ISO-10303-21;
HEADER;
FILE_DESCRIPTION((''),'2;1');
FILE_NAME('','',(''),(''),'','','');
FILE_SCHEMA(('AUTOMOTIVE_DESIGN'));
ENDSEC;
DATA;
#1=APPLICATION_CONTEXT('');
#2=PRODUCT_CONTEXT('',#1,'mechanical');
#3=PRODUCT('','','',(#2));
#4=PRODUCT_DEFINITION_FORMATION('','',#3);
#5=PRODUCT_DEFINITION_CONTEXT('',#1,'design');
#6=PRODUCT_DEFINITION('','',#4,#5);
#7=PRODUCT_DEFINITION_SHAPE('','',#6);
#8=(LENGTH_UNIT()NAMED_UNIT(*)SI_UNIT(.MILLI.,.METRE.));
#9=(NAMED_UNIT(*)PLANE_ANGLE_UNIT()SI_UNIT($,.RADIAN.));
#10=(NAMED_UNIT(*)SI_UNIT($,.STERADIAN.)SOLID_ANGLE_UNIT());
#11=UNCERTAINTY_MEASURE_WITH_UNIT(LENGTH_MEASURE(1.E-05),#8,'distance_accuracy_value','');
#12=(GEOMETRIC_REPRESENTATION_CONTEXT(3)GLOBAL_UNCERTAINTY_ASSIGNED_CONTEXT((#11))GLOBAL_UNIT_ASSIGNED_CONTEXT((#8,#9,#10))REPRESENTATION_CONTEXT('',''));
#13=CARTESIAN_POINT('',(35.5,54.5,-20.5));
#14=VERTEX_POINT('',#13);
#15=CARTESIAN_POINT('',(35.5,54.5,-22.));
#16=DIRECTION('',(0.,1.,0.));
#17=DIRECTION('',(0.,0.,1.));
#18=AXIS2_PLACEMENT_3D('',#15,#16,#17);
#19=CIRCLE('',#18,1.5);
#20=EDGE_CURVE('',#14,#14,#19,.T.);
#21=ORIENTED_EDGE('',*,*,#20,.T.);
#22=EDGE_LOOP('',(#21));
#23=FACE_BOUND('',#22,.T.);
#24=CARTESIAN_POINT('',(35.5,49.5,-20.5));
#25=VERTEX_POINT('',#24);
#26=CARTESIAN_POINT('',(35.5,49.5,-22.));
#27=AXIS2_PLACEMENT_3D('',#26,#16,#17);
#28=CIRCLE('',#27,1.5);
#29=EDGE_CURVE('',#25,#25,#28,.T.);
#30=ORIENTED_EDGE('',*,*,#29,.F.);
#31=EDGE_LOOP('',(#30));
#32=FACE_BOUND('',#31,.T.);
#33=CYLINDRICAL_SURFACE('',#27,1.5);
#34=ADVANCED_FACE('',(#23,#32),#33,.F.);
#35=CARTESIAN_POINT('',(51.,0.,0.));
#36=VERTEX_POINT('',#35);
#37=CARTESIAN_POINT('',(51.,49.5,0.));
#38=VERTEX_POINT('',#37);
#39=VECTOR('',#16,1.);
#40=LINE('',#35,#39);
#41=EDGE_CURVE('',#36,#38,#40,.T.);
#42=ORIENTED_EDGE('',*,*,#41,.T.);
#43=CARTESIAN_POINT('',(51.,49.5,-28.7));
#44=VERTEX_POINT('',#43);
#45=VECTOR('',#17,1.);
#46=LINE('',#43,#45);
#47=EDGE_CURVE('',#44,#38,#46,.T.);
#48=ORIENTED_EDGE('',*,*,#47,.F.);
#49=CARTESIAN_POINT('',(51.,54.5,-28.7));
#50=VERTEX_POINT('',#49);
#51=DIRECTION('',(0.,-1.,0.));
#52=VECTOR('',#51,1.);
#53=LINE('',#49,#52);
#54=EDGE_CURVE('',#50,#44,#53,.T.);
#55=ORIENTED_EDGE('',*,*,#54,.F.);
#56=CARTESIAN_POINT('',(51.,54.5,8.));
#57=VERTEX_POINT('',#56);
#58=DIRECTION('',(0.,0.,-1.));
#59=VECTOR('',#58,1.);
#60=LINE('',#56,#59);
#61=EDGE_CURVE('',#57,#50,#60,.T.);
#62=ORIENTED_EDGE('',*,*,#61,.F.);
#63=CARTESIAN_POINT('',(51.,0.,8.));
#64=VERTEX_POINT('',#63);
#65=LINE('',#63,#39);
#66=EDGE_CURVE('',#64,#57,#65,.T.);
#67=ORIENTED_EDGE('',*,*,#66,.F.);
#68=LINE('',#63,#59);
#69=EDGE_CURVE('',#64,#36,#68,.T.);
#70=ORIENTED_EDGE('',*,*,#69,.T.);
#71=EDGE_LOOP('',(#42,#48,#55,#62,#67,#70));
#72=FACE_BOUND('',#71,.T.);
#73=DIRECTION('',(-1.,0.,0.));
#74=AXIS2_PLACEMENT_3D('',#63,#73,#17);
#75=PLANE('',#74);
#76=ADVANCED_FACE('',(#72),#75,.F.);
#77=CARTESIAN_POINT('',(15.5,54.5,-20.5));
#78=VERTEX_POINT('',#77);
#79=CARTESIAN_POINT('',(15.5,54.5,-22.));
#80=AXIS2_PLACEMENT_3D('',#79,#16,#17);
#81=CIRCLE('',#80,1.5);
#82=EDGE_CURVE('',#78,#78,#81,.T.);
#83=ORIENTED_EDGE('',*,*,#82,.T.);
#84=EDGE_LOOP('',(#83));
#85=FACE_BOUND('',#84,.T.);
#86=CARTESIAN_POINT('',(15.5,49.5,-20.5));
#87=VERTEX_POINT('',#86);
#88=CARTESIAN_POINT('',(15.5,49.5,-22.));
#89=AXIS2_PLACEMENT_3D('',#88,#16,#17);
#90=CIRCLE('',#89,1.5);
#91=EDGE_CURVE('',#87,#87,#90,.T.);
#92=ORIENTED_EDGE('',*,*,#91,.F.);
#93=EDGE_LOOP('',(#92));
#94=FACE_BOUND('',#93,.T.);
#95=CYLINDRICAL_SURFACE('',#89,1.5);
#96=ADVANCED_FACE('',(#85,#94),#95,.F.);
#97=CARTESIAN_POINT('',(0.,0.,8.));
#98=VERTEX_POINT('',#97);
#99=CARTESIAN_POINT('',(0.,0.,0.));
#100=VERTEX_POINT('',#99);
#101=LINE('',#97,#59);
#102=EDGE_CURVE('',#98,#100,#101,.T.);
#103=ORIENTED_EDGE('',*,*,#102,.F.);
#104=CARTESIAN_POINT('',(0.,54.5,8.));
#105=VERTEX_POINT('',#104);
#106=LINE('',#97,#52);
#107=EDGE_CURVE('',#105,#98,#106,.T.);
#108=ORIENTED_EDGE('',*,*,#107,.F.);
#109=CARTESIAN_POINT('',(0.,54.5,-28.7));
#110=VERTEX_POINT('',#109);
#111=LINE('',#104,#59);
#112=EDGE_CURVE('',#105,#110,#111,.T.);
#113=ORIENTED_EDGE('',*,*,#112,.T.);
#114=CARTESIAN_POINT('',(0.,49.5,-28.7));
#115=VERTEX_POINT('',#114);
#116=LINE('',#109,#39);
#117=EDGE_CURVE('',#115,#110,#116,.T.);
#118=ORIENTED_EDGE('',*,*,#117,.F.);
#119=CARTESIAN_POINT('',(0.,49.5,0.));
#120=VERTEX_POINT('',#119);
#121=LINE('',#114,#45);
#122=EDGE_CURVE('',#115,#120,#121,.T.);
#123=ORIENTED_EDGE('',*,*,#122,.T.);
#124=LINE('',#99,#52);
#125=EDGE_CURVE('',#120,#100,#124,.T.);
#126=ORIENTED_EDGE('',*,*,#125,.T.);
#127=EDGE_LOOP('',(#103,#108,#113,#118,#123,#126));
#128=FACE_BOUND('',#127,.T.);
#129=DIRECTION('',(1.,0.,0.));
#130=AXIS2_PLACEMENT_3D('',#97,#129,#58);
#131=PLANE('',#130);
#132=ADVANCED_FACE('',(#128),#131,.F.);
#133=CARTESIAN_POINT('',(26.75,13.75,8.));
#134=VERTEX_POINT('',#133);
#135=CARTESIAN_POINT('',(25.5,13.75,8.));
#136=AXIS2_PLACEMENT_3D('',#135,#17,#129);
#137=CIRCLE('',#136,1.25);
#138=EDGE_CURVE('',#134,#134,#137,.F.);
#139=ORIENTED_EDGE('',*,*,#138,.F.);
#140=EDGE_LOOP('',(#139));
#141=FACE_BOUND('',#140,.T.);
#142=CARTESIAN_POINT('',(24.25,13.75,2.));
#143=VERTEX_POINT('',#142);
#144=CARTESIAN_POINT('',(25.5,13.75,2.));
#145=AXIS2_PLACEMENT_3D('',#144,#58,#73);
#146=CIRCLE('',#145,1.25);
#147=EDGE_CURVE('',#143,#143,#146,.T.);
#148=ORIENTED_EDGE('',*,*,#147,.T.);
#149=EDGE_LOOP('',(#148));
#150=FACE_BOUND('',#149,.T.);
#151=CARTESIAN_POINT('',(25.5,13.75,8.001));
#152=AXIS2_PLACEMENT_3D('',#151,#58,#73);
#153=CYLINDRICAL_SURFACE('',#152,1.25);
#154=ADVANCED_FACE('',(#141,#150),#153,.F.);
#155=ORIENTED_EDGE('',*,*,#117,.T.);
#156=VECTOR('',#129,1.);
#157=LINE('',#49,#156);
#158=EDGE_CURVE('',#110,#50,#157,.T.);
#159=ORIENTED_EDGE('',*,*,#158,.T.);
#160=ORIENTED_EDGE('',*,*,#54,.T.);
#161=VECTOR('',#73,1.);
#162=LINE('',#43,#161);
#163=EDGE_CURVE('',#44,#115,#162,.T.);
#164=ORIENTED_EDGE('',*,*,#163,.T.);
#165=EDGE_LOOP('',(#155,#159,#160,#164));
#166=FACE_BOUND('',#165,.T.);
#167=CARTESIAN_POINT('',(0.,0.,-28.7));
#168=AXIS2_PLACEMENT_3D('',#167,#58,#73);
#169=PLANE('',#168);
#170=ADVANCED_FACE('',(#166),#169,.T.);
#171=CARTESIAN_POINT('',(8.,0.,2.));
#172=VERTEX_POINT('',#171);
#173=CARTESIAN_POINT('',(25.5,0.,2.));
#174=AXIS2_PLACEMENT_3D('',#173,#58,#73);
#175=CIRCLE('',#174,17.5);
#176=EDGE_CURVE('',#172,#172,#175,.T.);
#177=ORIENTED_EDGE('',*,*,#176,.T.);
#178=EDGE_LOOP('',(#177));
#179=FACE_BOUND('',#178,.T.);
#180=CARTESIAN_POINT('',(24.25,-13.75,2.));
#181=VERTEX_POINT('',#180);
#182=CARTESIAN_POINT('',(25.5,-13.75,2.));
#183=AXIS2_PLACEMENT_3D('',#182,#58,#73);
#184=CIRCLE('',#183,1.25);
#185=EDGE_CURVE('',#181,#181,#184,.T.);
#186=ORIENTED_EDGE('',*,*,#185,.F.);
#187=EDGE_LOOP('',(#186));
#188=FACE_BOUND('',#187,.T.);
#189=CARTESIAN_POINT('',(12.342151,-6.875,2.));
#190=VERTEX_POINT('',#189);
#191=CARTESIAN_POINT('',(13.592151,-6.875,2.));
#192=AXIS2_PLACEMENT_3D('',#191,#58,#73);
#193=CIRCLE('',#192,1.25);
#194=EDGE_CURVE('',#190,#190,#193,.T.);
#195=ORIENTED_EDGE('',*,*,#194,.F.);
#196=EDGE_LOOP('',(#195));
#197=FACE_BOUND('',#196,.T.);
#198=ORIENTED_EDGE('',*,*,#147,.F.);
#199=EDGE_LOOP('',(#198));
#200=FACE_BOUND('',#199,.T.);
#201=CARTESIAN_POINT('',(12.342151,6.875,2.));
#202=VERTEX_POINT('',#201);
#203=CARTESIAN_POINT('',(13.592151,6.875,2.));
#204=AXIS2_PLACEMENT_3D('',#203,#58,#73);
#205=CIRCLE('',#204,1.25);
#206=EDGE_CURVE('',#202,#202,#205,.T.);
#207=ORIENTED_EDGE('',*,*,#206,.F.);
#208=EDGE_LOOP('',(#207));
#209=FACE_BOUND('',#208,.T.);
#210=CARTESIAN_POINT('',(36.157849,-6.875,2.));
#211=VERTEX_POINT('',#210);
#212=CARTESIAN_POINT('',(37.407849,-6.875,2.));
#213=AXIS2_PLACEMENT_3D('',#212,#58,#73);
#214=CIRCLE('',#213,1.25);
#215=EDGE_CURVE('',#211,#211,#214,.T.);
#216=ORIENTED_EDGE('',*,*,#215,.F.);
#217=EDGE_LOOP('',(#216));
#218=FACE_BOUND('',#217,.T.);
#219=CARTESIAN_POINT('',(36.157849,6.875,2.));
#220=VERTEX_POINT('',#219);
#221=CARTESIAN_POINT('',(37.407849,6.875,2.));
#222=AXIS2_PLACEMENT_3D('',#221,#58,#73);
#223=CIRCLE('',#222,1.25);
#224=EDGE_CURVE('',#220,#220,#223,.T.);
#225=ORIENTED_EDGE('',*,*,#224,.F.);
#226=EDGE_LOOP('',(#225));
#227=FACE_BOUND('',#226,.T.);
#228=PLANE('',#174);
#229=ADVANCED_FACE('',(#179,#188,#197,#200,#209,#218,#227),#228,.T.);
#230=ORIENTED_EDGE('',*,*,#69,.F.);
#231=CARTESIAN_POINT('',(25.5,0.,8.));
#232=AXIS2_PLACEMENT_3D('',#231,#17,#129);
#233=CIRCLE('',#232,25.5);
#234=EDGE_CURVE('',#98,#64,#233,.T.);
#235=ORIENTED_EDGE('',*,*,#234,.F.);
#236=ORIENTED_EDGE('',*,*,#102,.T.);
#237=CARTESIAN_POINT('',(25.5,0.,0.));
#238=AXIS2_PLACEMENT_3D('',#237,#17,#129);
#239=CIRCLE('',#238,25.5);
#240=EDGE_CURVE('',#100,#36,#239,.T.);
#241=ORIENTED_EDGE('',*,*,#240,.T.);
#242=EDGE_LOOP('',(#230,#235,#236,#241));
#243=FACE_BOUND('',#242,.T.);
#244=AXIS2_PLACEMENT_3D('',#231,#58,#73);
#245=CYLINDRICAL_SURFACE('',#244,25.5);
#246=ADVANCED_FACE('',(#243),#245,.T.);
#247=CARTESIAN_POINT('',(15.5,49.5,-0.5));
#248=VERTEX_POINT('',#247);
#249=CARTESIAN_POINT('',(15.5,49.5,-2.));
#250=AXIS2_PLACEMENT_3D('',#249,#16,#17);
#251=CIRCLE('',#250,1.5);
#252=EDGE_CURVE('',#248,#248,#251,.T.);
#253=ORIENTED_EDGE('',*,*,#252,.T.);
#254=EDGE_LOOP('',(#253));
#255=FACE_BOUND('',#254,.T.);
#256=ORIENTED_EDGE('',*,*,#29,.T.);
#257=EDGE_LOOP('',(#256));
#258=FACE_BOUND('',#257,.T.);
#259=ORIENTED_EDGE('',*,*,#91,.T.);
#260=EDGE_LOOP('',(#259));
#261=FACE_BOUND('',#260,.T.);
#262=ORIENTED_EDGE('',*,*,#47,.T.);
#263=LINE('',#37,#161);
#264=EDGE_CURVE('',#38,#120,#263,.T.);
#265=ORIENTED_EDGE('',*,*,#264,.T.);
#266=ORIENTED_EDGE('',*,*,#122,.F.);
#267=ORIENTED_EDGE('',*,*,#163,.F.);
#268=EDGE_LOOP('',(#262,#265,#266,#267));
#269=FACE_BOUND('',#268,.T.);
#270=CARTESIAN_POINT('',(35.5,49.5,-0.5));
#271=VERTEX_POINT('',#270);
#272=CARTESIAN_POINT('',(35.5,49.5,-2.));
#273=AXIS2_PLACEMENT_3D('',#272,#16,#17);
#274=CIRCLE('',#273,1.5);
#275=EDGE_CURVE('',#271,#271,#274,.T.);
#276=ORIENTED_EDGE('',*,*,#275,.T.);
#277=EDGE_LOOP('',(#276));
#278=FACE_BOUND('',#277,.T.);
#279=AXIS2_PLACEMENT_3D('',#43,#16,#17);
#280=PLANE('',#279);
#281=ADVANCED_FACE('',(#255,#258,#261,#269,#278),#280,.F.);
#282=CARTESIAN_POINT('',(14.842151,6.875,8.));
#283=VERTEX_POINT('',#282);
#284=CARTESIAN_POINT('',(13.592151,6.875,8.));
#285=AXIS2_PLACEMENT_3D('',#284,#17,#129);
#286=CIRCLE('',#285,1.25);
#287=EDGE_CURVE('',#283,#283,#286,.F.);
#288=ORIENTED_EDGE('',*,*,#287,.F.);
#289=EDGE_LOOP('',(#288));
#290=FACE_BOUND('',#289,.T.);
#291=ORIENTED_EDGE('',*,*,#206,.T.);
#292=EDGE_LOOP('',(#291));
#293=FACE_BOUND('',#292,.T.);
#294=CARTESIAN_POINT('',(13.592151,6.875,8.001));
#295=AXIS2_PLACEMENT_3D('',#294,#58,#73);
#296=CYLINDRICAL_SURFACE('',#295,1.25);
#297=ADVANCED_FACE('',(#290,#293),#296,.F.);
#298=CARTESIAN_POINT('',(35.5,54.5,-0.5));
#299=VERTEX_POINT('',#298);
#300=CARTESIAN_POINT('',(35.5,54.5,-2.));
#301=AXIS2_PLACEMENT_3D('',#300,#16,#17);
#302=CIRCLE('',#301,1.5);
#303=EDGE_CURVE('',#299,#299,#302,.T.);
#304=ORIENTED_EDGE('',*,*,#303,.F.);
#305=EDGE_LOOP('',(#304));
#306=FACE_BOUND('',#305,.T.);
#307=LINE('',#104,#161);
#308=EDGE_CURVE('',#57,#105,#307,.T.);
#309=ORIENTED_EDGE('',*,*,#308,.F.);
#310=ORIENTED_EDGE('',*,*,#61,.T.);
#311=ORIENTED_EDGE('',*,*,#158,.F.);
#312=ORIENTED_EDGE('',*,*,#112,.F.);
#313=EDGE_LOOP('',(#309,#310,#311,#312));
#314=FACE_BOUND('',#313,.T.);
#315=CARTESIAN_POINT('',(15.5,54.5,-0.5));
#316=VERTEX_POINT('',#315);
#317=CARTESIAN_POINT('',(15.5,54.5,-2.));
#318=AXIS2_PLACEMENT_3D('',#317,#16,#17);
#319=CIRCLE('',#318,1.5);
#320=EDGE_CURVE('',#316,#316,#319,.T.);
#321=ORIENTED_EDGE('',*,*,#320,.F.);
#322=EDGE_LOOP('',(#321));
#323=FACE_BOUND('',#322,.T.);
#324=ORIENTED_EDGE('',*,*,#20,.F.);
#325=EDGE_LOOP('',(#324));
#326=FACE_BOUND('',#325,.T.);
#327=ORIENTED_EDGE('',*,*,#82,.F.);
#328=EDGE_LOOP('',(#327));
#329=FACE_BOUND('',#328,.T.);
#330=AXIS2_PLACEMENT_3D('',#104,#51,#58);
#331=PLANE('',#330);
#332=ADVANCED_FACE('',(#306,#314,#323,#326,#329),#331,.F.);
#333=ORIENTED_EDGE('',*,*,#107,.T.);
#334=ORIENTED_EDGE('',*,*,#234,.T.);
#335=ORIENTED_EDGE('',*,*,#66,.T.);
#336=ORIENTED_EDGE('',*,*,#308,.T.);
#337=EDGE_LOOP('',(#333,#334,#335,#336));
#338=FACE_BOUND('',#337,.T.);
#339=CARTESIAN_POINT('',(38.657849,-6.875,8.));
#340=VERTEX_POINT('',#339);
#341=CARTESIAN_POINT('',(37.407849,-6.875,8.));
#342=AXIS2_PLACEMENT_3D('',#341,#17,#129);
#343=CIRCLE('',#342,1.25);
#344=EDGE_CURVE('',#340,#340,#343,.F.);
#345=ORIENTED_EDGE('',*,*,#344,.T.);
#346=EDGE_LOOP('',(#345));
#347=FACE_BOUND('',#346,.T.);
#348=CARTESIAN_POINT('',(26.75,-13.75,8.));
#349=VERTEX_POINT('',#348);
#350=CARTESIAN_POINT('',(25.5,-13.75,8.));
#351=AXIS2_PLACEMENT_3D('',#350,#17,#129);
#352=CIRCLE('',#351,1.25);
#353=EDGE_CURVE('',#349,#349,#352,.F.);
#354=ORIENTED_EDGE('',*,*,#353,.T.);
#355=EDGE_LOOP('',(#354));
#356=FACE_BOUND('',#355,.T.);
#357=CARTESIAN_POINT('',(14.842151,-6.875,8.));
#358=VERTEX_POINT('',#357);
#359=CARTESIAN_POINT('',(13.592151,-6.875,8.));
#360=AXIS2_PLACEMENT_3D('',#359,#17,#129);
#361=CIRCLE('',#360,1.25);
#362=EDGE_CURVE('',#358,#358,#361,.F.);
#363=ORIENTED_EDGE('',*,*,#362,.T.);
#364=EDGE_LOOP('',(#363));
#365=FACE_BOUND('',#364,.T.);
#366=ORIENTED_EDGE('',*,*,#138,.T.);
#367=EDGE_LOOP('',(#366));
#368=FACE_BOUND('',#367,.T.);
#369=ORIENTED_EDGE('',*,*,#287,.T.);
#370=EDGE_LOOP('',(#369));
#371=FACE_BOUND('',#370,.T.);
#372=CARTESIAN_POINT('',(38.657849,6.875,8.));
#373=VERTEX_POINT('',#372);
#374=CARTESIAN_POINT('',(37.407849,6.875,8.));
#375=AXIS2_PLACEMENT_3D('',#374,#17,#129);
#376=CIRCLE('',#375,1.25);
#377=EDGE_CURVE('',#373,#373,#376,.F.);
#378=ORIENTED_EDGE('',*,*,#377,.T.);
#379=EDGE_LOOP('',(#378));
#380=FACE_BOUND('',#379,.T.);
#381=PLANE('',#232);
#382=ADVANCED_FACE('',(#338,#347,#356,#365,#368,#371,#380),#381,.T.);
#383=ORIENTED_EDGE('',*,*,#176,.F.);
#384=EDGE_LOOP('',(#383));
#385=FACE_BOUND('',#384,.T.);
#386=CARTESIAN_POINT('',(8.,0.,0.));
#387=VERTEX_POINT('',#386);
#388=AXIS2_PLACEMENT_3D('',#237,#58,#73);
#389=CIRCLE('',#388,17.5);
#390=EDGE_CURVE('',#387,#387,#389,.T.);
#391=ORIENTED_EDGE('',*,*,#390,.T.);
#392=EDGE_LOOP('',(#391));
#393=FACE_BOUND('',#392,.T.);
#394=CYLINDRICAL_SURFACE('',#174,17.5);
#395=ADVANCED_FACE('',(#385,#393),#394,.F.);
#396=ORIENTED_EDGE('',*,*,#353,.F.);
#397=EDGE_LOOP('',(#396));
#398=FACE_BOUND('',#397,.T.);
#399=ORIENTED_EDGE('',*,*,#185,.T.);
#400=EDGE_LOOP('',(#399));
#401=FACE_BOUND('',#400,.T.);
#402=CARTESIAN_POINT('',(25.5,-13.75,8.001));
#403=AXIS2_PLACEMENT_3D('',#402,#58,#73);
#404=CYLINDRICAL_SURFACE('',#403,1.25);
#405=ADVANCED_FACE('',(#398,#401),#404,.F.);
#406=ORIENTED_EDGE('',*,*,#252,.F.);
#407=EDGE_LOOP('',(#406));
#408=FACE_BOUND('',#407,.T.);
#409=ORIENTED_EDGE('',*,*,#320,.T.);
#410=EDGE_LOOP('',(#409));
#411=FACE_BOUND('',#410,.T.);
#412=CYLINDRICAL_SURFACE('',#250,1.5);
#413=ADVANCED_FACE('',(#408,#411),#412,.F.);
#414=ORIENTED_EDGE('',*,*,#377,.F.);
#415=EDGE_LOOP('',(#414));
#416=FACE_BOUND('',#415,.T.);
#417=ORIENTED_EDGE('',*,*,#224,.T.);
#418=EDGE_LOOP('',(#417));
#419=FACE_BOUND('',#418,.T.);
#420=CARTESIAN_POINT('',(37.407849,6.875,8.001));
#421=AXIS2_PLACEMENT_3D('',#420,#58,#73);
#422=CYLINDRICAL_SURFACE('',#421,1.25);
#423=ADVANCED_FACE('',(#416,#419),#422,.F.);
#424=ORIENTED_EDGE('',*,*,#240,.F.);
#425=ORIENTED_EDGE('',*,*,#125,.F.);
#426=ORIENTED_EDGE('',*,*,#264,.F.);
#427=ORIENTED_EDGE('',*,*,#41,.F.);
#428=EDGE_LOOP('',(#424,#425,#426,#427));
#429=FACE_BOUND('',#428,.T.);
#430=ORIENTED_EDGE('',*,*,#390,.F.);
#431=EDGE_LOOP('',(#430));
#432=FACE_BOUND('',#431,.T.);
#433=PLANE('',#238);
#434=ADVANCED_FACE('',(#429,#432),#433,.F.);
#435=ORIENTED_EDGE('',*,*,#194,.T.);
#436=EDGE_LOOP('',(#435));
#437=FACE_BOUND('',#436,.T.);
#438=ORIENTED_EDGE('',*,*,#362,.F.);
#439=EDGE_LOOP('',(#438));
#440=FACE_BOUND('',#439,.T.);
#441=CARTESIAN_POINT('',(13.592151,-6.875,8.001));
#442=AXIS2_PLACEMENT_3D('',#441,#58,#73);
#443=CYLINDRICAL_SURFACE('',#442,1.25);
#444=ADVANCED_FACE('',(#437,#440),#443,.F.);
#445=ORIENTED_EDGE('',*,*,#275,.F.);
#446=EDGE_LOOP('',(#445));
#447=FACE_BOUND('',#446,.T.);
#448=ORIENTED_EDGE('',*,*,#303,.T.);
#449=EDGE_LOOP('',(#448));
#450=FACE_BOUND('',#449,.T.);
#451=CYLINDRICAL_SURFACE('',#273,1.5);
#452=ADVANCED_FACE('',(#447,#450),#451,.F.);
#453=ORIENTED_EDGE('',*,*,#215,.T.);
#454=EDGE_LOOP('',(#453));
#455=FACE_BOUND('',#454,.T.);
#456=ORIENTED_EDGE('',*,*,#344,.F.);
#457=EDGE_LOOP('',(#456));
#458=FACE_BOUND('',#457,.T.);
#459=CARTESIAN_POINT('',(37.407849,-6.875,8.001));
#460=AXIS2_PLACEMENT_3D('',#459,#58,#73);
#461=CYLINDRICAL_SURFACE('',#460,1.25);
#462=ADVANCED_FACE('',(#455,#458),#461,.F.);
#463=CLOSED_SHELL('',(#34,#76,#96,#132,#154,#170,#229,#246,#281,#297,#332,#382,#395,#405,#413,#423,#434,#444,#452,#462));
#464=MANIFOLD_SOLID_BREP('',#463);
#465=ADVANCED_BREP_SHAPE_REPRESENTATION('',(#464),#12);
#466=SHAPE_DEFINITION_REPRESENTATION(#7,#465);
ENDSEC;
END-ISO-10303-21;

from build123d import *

# Parameters (mm, degrees)
EXTRUDE_1_DEPTH     = 8
SKETCH_2_W          = 51
SKETCH_2_H          = 5
EXTRUDE_2_DEPTH     = 28.7
SKETCH_3_R          = 17.5
CUT_EXTRUDE_1_DEPTH = 2
CUT_EXTRUDE_2_REACH = 82.708
SKETCH_4_R          = 1.25
SKETCH_5_R          = 1.5
CUT_EXTRUDE_3_DEPTH = 5


with BuildPart() as part:
    # 스케치1 → 보스-돌출1 (new body)
    with BuildSketch(Plane.XY):
        with BuildLine():
            Line((0, 0), (0, 54.5))
            Line((0, 54.5), (51, 54.5))
            Line((51, 54.5), (51, 0))
            ThreePointArc((51, 0), (25.5, -25.5), (0, 0))
        make_face()
    extrude(amount=EXTRUDE_1_DEPTH)

    # 스케치2 → 보스-돌출2 (add)
    with BuildSketch(Plane(origin=(0, 0, 0), x_dir=(-1, 0, 0), z_dir=(0, 0, -1))):
        with Locations((-25.5, 52)):
            Rectangle(SKETCH_2_W, SKETCH_2_H)
    extrude(amount=EXTRUDE_2_DEPTH)

    # 스케치3 → 컷-돌출1 (cut)
    with BuildSketch(Plane(origin=(0, 0, 0), x_dir=(-1, 0, 0), z_dir=(0, 0, -1))):
        with Locations((-25.5, 0)):
            Circle(SKETCH_3_R)
    extrude(amount=-CUT_EXTRUDE_1_DEPTH, mode=Mode.SUBTRACT)

    # 스케치4 → 컷-돌출2 (cut, up to next)
    with BuildSketch(Plane(origin=(0, 0, 2), x_dir=(-1, 0, 0), z_dir=(0, 0, -1)), mode=Mode.PRIVATE) as cut_extrude_2_sk1:
        with Locations((-25.5, 13.75)):
            Circle(SKETCH_4_R)
    cut_extrude_2_tool1 = extrude(cut_extrude_2_sk1.sketch, amount=-CUT_EXTRUDE_2_REACH, mode=Mode.PRIVATE) & part.part
    # 스케치4 → 컷-돌출2 (cut, up to next)
    with BuildSketch(Plane(origin=(0, 0, 2), x_dir=(-1, 0, 0), z_dir=(0, 0, -1)), mode=Mode.PRIVATE) as cut_extrude_2_sk2:
        with Locations((-13.592150698, 6.875)):
            Circle(SKETCH_4_R)
    cut_extrude_2_tool2 = extrude(cut_extrude_2_sk2.sketch, amount=-CUT_EXTRUDE_2_REACH, mode=Mode.PRIVATE) & part.part
    # 스케치4 → 컷-돌출2 (cut, up to next)
    with BuildSketch(Plane(origin=(0, 0, 2), x_dir=(-1, 0, 0), z_dir=(0, 0, -1)), mode=Mode.PRIVATE) as cut_extrude_2_sk3:
        with Locations((-13.592150698, -6.875)):
            Circle(SKETCH_4_R)
    cut_extrude_2_tool3 = extrude(cut_extrude_2_sk3.sketch, amount=-CUT_EXTRUDE_2_REACH, mode=Mode.PRIVATE) & part.part
    # 스케치4 → 컷-돌출2 (cut, up to next)
    with BuildSketch(Plane(origin=(0, 0, 2), x_dir=(-1, 0, 0), z_dir=(0, 0, -1)), mode=Mode.PRIVATE) as cut_extrude_2_sk4:
        with Locations((-25.5, -13.75)):
            Circle(SKETCH_4_R)
    cut_extrude_2_tool4 = extrude(cut_extrude_2_sk4.sketch, amount=-CUT_EXTRUDE_2_REACH, mode=Mode.PRIVATE) & part.part
    # 스케치4 → 컷-돌출2 (cut, up to next)
    with BuildSketch(Plane(origin=(0, 0, 2), x_dir=(-1, 0, 0), z_dir=(0, 0, -1)), mode=Mode.PRIVATE) as cut_extrude_2_sk5:
        with Locations((-37.407849302, -6.875)):
            Circle(SKETCH_4_R)
    cut_extrude_2_tool5 = extrude(cut_extrude_2_sk5.sketch, amount=-CUT_EXTRUDE_2_REACH, mode=Mode.PRIVATE) & part.part
    # 스케치4 → 컷-돌출2 (cut, up to next)
    with BuildSketch(Plane(origin=(0, 0, 2), x_dir=(-1, 0, 0), z_dir=(0, 0, -1)), mode=Mode.PRIVATE) as cut_extrude_2_sk6:
        with Locations((-37.407849302, 6.875)):
            Circle(SKETCH_4_R)
    cut_extrude_2_tool6 = extrude(cut_extrude_2_sk6.sketch, amount=-CUT_EXTRUDE_2_REACH, mode=Mode.PRIVATE) & part.part
    add(cut_extrude_2_tool1.solids().sort_by_distance((25.5, 13.75, 2))[0], mode=Mode.SUBTRACT)
    add(cut_extrude_2_tool2.solids().sort_by_distance((13.592151, 6.875, 2))[0], mode=Mode.SUBTRACT)
    add(cut_extrude_2_tool3.solids().sort_by_distance((13.592151, -6.875, 2))[0], mode=Mode.SUBTRACT)
    add(cut_extrude_2_tool4.solids().sort_by_distance((25.5, -13.75, 2))[0], mode=Mode.SUBTRACT)
    add(cut_extrude_2_tool5.solids().sort_by_distance((37.407849, -6.875, 2))[0], mode=Mode.SUBTRACT)
    add(cut_extrude_2_tool6.solids().sort_by_distance((37.407849, 6.875, 2))[0], mode=Mode.SUBTRACT)

    # 스케치5 → 컷-돌출3 (cut)
    with BuildSketch(Plane(origin=(0, 54.5, 0), x_dir=(1, 0, 0), z_dir=(0, 1, 0))):
        with Locations(Location((15.5, 22, 0), (0, 0, 270))):
            Circle(SKETCH_5_R)
        with Locations(Location((35.5, 22, 0), (0, 0, 270))):
            Circle(SKETCH_5_R)
        with Locations(Location((35.5, 2, 0), (0, 0, 270))):
            Circle(SKETCH_5_R)
        with Locations(Location((15.5, 2, 0), (0, 0, 270))):
            Circle(SKETCH_5_R)
    extrude(amount=-CUT_EXTRUDE_3_DEPTH, mode=Mode.SUBTRACT)


solid = part.part
